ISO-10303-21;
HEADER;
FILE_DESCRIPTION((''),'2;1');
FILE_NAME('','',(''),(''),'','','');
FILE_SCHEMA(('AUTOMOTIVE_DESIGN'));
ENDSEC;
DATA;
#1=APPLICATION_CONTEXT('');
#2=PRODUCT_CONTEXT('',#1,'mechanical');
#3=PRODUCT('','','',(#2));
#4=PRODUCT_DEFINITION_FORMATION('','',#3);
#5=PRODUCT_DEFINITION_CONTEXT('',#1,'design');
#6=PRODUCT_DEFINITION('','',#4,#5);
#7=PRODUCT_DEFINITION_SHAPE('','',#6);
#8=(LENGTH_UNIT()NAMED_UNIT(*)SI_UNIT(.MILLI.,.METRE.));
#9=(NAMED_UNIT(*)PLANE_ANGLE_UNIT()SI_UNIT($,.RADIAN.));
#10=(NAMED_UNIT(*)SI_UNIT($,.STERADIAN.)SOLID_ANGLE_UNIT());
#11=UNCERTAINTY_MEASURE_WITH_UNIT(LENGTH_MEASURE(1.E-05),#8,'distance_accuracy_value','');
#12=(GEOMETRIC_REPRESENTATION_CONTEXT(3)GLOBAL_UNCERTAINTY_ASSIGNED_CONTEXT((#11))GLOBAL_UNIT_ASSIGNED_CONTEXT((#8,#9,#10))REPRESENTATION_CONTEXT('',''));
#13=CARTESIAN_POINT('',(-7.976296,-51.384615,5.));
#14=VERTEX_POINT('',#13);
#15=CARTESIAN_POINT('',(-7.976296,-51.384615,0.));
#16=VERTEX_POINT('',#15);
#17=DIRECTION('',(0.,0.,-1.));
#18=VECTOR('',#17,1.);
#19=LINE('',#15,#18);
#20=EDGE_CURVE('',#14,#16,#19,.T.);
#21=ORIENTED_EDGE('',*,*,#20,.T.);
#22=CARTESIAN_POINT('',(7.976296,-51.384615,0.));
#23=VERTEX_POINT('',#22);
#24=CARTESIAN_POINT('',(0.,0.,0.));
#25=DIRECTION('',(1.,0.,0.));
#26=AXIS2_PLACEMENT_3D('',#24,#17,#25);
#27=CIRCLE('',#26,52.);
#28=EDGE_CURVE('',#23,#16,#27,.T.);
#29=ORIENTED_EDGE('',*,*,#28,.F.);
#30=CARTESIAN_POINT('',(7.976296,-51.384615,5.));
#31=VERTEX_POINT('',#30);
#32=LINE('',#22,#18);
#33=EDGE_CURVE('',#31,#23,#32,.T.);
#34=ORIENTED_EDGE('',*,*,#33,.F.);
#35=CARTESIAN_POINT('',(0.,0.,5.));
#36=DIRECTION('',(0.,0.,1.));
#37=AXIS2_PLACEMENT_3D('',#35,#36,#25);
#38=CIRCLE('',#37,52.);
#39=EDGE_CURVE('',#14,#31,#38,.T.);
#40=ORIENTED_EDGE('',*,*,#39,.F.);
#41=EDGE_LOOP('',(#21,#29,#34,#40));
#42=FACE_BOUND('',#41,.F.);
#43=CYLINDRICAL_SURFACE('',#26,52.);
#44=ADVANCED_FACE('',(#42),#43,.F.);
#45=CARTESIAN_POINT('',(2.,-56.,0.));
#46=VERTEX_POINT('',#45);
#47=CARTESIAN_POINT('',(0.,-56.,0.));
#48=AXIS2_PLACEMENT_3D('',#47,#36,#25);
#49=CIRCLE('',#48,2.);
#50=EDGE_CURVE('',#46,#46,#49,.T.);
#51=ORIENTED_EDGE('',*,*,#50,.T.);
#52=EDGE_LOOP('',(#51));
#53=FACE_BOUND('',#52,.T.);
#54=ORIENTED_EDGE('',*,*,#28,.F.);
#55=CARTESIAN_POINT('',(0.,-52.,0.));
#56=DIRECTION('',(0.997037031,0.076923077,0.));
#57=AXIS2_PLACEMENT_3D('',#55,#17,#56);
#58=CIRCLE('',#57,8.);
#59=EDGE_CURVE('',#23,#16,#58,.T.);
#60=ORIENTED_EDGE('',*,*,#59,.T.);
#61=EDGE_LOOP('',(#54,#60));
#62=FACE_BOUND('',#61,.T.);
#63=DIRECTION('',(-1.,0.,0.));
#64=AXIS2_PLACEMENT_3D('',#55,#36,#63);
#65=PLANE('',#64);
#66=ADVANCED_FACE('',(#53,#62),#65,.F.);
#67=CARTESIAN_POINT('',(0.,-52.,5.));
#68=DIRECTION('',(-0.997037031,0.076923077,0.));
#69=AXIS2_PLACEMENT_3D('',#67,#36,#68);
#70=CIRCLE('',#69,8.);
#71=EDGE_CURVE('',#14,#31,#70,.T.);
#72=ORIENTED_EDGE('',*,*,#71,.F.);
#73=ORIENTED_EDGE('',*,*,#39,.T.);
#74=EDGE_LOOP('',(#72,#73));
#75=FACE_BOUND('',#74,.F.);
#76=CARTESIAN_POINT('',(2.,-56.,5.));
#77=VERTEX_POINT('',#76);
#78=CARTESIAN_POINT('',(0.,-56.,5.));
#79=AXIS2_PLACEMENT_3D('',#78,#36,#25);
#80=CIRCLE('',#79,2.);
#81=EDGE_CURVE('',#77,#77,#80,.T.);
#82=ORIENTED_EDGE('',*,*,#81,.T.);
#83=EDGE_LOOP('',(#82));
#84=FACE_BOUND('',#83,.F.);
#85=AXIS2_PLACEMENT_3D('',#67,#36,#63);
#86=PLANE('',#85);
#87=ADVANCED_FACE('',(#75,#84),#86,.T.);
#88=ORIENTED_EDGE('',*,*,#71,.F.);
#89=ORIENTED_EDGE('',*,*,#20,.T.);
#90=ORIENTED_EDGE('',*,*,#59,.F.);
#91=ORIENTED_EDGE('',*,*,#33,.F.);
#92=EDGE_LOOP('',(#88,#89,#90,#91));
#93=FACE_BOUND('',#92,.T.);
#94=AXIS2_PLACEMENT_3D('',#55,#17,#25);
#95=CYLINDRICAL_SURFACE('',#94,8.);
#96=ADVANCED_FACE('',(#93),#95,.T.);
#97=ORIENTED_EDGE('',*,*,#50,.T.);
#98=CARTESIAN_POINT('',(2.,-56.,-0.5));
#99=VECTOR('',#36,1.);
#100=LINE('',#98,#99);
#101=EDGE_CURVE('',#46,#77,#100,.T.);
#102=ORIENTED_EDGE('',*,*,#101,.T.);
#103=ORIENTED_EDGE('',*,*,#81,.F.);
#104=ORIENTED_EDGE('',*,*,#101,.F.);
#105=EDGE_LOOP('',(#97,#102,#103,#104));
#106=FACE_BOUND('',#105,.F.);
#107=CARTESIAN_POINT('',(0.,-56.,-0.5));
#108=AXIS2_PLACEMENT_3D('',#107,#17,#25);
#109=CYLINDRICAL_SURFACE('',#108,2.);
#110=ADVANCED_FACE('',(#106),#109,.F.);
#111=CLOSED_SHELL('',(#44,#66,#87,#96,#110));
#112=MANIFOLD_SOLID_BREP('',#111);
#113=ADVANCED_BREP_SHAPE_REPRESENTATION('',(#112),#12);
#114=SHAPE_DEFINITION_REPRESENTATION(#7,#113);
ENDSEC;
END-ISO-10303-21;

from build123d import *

# Parameters (mm, degrees)
CYLINDER005_R     = 2
CYLINDER005_DEPTH = 6
CYLINDER004_R     = 52
CYLINDER004_DEPTH = 67
CYLINDER003_R     = 8
CYLINDER003_DEPTH = 5


with BuildPart() as screw_cut:
    # Cylinder005 → Cylinder005 (new body)
    with BuildSketch(Plane(origin=(0, 56, -0.5), x_dir=(1, 0, 0), z_dir=(0, 0, 1))):
        Circle(CYLINDER005_R)
    extrude(amount=CYLINDER005_DEPTH)


with BuildPart() as cylinder:
    # Cylinder004 → Cylinder004 (new body)
    with BuildSketch(Plane.XY):
        Circle(CYLINDER004_R)
    extrude(amount=CYLINDER004_DEPTH)


with BuildPart() as hinge_final:
    # Cylinder003 → Cylinder003 (new body)
    with BuildSketch(Plane(origin=(0, 52, 0), x_dir=(1, 0, 0), z_dir=(0, 0, 1))):
        Circle(CYLINDER003_R)
    extrude(amount=CYLINDER003_DEPTH)

    # Cut002: cut Cylinder
    add(cylinder.part, mode=Mode.SUBTRACT)

    # Cut003: cut Screw Cut
    add(screw_cut.part, mode=Mode.SUBTRACT)


with BuildPart() as part_mirroring:
    # Part__Mirroring: instance of Hinge Final
    add(hinge_final.part.mirror(Plane(origin=(0.001259, 0, 2.5), x_dir=(1, 0, 0), z_dir=(0, 1, 0))))


solid = part_mirroring.part
